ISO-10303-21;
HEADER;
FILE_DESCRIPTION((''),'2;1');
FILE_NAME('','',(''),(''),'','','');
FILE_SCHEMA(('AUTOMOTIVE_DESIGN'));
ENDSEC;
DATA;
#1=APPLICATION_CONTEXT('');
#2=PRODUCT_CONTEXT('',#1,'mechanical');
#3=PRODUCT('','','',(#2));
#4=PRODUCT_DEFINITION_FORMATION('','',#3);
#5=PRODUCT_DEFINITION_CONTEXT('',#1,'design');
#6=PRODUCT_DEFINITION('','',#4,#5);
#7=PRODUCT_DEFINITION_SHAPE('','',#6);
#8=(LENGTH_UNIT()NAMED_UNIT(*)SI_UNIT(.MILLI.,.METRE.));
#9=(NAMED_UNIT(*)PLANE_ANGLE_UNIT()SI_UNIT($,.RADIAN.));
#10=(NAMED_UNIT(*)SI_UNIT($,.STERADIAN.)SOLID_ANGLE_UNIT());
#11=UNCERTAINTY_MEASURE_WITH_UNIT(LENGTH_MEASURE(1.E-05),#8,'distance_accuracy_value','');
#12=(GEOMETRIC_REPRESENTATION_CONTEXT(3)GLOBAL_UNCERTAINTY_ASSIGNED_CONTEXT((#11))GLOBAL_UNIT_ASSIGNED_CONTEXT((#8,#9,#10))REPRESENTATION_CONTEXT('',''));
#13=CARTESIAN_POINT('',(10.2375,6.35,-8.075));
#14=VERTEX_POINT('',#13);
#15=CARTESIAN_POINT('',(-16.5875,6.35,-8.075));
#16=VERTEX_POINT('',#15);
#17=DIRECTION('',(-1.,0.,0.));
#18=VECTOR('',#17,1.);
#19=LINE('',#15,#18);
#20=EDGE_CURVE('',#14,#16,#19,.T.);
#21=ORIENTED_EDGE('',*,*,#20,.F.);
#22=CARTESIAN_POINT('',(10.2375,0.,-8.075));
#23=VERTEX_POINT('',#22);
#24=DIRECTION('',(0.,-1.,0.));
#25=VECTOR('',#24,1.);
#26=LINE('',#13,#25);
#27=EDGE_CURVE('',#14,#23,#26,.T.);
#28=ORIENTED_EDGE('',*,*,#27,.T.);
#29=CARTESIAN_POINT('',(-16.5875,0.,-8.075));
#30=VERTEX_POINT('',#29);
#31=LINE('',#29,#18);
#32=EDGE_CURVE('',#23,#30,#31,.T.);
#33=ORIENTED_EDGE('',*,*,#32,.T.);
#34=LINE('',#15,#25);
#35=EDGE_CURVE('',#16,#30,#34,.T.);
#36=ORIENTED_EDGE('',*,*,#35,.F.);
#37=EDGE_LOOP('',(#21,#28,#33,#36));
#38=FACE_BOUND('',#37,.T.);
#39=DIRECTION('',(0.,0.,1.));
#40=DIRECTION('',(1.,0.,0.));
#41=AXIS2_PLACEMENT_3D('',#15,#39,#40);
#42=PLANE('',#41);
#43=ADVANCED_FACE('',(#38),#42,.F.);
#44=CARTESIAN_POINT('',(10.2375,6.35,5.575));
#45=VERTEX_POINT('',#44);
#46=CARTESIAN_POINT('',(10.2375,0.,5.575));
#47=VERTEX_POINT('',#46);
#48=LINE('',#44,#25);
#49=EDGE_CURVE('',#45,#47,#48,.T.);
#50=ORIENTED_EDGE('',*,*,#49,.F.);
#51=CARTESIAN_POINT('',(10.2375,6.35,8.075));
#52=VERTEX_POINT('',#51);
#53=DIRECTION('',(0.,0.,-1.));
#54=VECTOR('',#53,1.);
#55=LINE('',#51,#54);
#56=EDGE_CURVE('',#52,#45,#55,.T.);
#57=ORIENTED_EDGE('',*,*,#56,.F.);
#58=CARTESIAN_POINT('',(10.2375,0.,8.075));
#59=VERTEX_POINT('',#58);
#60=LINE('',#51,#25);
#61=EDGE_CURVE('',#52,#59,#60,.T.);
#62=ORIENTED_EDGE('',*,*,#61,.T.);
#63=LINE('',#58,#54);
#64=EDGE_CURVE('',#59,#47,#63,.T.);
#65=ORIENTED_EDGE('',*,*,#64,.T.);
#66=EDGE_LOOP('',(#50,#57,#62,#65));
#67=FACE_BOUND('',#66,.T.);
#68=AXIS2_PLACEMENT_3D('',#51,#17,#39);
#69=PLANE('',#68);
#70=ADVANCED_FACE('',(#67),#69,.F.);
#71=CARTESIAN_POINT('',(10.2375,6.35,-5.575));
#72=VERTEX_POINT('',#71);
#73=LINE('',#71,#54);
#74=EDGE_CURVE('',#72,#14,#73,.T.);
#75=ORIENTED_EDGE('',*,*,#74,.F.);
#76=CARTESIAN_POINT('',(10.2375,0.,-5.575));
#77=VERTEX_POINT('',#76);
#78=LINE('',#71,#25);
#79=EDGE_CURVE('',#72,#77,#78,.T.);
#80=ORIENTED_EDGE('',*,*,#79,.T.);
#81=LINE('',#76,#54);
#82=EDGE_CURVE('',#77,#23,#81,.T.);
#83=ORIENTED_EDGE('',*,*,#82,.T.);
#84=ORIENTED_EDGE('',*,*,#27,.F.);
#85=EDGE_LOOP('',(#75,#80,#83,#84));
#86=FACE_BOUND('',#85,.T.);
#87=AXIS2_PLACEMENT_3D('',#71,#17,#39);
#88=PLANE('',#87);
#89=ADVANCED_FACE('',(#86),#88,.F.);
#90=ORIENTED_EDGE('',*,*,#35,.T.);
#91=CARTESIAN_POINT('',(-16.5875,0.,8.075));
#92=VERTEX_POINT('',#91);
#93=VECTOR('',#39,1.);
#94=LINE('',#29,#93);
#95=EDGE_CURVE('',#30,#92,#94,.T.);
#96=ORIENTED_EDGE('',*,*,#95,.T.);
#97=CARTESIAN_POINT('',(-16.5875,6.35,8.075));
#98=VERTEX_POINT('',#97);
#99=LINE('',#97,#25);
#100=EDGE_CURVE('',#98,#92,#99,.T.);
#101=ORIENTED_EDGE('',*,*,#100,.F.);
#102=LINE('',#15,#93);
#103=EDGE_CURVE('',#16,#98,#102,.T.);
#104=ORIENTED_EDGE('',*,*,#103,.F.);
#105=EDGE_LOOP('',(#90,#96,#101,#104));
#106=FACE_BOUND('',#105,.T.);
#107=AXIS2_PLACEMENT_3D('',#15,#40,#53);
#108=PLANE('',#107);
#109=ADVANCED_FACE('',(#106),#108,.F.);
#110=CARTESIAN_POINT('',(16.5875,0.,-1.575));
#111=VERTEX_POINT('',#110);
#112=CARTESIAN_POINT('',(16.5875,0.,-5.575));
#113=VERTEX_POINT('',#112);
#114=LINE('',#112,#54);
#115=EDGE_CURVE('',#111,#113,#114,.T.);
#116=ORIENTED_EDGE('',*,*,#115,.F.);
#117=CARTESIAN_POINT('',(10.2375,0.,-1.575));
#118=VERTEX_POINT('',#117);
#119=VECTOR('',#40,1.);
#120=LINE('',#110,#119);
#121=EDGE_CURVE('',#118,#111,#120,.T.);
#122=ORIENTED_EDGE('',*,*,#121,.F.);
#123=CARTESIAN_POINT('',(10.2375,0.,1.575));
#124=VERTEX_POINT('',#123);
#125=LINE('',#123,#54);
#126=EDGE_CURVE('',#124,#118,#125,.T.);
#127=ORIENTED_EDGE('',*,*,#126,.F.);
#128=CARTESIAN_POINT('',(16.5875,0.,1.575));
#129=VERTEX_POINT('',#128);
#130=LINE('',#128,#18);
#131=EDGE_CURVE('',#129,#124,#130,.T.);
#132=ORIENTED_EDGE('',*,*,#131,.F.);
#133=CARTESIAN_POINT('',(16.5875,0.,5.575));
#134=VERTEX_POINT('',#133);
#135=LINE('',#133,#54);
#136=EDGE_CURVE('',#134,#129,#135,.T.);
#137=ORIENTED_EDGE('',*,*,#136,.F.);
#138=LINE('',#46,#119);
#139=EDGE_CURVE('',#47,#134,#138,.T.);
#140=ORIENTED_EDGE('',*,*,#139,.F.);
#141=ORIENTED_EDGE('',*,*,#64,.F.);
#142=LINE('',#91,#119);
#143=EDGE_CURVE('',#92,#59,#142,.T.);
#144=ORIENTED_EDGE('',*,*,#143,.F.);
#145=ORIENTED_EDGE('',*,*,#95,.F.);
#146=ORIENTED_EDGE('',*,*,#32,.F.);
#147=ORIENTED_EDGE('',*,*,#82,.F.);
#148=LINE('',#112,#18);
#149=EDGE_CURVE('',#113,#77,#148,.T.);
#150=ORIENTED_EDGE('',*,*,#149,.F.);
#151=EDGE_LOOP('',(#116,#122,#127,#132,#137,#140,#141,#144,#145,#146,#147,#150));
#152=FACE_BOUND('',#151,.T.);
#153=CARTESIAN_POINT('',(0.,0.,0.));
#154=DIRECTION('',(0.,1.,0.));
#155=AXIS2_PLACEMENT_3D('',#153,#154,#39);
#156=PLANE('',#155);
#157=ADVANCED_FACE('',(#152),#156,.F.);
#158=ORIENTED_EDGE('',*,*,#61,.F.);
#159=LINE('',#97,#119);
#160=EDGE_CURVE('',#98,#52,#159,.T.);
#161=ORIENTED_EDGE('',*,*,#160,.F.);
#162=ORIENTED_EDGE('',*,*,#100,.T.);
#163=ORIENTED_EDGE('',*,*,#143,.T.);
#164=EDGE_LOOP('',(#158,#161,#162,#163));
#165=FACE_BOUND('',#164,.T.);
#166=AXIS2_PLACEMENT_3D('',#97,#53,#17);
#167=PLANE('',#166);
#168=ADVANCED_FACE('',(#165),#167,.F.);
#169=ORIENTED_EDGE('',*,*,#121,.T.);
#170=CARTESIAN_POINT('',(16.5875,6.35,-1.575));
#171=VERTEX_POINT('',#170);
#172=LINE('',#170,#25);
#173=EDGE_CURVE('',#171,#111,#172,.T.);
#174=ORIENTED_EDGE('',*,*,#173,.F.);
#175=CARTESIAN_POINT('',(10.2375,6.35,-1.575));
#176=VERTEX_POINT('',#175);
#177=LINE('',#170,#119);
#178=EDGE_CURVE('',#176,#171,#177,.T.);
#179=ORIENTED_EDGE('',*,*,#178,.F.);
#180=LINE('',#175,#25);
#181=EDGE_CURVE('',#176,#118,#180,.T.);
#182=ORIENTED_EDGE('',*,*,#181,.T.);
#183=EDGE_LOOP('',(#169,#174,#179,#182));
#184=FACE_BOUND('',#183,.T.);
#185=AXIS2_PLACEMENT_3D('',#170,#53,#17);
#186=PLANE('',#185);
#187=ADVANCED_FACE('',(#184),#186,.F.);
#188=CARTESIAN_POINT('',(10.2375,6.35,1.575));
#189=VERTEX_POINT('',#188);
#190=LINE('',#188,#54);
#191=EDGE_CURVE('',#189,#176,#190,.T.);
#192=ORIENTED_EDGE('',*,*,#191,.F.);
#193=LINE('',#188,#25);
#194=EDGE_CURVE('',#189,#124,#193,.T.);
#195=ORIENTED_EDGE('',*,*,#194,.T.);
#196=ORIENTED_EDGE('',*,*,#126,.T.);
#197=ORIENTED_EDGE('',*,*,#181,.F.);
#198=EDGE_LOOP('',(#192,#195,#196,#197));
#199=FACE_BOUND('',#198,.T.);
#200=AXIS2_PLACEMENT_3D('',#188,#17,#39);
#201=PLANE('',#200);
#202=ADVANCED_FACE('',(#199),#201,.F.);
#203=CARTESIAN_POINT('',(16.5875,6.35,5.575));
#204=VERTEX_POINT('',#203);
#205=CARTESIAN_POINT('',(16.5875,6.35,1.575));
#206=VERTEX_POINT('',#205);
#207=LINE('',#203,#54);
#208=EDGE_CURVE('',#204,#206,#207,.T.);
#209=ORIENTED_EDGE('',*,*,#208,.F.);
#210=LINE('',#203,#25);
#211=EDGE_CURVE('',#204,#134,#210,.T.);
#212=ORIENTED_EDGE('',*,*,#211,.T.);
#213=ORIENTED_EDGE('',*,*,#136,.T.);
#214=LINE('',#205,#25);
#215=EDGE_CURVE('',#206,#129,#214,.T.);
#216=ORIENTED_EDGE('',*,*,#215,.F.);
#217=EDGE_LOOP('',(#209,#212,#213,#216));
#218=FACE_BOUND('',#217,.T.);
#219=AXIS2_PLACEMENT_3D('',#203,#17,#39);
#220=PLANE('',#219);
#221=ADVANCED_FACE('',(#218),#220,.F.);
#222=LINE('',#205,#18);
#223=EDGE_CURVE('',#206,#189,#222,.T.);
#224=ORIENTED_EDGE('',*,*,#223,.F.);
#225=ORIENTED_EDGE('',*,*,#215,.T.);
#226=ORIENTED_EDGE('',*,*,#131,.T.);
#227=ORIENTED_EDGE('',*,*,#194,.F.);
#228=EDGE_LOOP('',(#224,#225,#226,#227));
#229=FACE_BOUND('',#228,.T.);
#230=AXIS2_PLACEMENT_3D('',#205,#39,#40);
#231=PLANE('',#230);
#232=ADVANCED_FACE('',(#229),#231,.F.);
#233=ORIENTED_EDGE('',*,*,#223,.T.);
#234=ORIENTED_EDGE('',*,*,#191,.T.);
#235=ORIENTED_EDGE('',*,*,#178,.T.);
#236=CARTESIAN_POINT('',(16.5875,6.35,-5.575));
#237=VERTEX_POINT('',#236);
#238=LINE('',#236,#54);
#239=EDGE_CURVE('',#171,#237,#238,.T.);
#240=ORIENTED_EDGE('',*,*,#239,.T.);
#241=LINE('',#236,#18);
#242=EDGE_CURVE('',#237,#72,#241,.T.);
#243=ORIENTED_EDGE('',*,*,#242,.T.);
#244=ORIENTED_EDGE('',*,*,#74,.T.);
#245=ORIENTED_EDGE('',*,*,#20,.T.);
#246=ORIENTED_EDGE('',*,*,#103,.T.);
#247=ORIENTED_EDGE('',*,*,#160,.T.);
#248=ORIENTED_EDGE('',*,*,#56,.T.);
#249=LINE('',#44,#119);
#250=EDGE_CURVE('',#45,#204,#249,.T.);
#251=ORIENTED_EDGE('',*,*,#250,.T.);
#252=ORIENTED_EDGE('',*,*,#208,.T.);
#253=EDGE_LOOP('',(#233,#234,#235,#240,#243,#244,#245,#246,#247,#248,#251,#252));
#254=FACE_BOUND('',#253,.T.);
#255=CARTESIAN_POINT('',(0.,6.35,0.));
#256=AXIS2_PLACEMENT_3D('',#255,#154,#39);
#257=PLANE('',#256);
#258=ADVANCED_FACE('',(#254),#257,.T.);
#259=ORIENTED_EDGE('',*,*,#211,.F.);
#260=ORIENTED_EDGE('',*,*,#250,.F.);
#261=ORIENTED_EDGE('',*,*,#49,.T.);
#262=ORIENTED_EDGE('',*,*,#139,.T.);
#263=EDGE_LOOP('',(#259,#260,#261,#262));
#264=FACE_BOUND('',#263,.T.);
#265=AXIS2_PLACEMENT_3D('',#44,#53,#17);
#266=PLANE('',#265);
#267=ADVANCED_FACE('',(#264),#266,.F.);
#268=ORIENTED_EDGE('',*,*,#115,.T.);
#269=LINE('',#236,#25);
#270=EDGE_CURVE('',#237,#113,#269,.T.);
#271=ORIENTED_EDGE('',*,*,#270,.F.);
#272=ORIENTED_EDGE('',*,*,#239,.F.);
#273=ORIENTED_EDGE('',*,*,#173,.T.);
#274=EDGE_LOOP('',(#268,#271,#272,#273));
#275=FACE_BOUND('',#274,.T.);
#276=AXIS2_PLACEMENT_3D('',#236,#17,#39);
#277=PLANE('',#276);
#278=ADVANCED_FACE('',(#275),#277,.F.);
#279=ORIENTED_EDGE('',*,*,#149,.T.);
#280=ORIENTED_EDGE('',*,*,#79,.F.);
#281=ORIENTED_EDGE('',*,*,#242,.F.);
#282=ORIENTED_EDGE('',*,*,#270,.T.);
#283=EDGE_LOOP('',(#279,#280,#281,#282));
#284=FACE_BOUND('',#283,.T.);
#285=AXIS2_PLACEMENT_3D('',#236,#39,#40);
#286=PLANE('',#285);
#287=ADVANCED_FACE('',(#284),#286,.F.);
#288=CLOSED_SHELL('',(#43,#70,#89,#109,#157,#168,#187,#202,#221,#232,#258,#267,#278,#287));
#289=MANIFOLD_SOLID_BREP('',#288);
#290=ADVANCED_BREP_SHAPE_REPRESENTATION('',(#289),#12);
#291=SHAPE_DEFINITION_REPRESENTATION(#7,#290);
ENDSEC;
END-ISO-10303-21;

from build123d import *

# Parameters (mm, degrees)
BOSS_EXTRUDE1_DEPTH = 6.35


with BuildPart() as part:
    # Sketch1 → Boss-Extrude1 (new body)
    with BuildSketch(Plane(origin=(0, 0, 0), x_dir=(1, 0, 0), z_dir=(0, 1, 0))):
        Polygon((16.5875, 5.575), (10.2375, 5.575), (10.2375, 8.075), (-16.5875, 8.075), (-16.5875, -8.075), (10.2375, -8.075), (10.2375, -5.575), (16.5875, -5.575), (16.5875, -1.575), (10.2375, -1.575), (10.2375, 1.575), (16.5875, 1.575), align=None)
    extrude(amount=BOSS_EXTRUDE1_DEPTH)


solid = part.part
